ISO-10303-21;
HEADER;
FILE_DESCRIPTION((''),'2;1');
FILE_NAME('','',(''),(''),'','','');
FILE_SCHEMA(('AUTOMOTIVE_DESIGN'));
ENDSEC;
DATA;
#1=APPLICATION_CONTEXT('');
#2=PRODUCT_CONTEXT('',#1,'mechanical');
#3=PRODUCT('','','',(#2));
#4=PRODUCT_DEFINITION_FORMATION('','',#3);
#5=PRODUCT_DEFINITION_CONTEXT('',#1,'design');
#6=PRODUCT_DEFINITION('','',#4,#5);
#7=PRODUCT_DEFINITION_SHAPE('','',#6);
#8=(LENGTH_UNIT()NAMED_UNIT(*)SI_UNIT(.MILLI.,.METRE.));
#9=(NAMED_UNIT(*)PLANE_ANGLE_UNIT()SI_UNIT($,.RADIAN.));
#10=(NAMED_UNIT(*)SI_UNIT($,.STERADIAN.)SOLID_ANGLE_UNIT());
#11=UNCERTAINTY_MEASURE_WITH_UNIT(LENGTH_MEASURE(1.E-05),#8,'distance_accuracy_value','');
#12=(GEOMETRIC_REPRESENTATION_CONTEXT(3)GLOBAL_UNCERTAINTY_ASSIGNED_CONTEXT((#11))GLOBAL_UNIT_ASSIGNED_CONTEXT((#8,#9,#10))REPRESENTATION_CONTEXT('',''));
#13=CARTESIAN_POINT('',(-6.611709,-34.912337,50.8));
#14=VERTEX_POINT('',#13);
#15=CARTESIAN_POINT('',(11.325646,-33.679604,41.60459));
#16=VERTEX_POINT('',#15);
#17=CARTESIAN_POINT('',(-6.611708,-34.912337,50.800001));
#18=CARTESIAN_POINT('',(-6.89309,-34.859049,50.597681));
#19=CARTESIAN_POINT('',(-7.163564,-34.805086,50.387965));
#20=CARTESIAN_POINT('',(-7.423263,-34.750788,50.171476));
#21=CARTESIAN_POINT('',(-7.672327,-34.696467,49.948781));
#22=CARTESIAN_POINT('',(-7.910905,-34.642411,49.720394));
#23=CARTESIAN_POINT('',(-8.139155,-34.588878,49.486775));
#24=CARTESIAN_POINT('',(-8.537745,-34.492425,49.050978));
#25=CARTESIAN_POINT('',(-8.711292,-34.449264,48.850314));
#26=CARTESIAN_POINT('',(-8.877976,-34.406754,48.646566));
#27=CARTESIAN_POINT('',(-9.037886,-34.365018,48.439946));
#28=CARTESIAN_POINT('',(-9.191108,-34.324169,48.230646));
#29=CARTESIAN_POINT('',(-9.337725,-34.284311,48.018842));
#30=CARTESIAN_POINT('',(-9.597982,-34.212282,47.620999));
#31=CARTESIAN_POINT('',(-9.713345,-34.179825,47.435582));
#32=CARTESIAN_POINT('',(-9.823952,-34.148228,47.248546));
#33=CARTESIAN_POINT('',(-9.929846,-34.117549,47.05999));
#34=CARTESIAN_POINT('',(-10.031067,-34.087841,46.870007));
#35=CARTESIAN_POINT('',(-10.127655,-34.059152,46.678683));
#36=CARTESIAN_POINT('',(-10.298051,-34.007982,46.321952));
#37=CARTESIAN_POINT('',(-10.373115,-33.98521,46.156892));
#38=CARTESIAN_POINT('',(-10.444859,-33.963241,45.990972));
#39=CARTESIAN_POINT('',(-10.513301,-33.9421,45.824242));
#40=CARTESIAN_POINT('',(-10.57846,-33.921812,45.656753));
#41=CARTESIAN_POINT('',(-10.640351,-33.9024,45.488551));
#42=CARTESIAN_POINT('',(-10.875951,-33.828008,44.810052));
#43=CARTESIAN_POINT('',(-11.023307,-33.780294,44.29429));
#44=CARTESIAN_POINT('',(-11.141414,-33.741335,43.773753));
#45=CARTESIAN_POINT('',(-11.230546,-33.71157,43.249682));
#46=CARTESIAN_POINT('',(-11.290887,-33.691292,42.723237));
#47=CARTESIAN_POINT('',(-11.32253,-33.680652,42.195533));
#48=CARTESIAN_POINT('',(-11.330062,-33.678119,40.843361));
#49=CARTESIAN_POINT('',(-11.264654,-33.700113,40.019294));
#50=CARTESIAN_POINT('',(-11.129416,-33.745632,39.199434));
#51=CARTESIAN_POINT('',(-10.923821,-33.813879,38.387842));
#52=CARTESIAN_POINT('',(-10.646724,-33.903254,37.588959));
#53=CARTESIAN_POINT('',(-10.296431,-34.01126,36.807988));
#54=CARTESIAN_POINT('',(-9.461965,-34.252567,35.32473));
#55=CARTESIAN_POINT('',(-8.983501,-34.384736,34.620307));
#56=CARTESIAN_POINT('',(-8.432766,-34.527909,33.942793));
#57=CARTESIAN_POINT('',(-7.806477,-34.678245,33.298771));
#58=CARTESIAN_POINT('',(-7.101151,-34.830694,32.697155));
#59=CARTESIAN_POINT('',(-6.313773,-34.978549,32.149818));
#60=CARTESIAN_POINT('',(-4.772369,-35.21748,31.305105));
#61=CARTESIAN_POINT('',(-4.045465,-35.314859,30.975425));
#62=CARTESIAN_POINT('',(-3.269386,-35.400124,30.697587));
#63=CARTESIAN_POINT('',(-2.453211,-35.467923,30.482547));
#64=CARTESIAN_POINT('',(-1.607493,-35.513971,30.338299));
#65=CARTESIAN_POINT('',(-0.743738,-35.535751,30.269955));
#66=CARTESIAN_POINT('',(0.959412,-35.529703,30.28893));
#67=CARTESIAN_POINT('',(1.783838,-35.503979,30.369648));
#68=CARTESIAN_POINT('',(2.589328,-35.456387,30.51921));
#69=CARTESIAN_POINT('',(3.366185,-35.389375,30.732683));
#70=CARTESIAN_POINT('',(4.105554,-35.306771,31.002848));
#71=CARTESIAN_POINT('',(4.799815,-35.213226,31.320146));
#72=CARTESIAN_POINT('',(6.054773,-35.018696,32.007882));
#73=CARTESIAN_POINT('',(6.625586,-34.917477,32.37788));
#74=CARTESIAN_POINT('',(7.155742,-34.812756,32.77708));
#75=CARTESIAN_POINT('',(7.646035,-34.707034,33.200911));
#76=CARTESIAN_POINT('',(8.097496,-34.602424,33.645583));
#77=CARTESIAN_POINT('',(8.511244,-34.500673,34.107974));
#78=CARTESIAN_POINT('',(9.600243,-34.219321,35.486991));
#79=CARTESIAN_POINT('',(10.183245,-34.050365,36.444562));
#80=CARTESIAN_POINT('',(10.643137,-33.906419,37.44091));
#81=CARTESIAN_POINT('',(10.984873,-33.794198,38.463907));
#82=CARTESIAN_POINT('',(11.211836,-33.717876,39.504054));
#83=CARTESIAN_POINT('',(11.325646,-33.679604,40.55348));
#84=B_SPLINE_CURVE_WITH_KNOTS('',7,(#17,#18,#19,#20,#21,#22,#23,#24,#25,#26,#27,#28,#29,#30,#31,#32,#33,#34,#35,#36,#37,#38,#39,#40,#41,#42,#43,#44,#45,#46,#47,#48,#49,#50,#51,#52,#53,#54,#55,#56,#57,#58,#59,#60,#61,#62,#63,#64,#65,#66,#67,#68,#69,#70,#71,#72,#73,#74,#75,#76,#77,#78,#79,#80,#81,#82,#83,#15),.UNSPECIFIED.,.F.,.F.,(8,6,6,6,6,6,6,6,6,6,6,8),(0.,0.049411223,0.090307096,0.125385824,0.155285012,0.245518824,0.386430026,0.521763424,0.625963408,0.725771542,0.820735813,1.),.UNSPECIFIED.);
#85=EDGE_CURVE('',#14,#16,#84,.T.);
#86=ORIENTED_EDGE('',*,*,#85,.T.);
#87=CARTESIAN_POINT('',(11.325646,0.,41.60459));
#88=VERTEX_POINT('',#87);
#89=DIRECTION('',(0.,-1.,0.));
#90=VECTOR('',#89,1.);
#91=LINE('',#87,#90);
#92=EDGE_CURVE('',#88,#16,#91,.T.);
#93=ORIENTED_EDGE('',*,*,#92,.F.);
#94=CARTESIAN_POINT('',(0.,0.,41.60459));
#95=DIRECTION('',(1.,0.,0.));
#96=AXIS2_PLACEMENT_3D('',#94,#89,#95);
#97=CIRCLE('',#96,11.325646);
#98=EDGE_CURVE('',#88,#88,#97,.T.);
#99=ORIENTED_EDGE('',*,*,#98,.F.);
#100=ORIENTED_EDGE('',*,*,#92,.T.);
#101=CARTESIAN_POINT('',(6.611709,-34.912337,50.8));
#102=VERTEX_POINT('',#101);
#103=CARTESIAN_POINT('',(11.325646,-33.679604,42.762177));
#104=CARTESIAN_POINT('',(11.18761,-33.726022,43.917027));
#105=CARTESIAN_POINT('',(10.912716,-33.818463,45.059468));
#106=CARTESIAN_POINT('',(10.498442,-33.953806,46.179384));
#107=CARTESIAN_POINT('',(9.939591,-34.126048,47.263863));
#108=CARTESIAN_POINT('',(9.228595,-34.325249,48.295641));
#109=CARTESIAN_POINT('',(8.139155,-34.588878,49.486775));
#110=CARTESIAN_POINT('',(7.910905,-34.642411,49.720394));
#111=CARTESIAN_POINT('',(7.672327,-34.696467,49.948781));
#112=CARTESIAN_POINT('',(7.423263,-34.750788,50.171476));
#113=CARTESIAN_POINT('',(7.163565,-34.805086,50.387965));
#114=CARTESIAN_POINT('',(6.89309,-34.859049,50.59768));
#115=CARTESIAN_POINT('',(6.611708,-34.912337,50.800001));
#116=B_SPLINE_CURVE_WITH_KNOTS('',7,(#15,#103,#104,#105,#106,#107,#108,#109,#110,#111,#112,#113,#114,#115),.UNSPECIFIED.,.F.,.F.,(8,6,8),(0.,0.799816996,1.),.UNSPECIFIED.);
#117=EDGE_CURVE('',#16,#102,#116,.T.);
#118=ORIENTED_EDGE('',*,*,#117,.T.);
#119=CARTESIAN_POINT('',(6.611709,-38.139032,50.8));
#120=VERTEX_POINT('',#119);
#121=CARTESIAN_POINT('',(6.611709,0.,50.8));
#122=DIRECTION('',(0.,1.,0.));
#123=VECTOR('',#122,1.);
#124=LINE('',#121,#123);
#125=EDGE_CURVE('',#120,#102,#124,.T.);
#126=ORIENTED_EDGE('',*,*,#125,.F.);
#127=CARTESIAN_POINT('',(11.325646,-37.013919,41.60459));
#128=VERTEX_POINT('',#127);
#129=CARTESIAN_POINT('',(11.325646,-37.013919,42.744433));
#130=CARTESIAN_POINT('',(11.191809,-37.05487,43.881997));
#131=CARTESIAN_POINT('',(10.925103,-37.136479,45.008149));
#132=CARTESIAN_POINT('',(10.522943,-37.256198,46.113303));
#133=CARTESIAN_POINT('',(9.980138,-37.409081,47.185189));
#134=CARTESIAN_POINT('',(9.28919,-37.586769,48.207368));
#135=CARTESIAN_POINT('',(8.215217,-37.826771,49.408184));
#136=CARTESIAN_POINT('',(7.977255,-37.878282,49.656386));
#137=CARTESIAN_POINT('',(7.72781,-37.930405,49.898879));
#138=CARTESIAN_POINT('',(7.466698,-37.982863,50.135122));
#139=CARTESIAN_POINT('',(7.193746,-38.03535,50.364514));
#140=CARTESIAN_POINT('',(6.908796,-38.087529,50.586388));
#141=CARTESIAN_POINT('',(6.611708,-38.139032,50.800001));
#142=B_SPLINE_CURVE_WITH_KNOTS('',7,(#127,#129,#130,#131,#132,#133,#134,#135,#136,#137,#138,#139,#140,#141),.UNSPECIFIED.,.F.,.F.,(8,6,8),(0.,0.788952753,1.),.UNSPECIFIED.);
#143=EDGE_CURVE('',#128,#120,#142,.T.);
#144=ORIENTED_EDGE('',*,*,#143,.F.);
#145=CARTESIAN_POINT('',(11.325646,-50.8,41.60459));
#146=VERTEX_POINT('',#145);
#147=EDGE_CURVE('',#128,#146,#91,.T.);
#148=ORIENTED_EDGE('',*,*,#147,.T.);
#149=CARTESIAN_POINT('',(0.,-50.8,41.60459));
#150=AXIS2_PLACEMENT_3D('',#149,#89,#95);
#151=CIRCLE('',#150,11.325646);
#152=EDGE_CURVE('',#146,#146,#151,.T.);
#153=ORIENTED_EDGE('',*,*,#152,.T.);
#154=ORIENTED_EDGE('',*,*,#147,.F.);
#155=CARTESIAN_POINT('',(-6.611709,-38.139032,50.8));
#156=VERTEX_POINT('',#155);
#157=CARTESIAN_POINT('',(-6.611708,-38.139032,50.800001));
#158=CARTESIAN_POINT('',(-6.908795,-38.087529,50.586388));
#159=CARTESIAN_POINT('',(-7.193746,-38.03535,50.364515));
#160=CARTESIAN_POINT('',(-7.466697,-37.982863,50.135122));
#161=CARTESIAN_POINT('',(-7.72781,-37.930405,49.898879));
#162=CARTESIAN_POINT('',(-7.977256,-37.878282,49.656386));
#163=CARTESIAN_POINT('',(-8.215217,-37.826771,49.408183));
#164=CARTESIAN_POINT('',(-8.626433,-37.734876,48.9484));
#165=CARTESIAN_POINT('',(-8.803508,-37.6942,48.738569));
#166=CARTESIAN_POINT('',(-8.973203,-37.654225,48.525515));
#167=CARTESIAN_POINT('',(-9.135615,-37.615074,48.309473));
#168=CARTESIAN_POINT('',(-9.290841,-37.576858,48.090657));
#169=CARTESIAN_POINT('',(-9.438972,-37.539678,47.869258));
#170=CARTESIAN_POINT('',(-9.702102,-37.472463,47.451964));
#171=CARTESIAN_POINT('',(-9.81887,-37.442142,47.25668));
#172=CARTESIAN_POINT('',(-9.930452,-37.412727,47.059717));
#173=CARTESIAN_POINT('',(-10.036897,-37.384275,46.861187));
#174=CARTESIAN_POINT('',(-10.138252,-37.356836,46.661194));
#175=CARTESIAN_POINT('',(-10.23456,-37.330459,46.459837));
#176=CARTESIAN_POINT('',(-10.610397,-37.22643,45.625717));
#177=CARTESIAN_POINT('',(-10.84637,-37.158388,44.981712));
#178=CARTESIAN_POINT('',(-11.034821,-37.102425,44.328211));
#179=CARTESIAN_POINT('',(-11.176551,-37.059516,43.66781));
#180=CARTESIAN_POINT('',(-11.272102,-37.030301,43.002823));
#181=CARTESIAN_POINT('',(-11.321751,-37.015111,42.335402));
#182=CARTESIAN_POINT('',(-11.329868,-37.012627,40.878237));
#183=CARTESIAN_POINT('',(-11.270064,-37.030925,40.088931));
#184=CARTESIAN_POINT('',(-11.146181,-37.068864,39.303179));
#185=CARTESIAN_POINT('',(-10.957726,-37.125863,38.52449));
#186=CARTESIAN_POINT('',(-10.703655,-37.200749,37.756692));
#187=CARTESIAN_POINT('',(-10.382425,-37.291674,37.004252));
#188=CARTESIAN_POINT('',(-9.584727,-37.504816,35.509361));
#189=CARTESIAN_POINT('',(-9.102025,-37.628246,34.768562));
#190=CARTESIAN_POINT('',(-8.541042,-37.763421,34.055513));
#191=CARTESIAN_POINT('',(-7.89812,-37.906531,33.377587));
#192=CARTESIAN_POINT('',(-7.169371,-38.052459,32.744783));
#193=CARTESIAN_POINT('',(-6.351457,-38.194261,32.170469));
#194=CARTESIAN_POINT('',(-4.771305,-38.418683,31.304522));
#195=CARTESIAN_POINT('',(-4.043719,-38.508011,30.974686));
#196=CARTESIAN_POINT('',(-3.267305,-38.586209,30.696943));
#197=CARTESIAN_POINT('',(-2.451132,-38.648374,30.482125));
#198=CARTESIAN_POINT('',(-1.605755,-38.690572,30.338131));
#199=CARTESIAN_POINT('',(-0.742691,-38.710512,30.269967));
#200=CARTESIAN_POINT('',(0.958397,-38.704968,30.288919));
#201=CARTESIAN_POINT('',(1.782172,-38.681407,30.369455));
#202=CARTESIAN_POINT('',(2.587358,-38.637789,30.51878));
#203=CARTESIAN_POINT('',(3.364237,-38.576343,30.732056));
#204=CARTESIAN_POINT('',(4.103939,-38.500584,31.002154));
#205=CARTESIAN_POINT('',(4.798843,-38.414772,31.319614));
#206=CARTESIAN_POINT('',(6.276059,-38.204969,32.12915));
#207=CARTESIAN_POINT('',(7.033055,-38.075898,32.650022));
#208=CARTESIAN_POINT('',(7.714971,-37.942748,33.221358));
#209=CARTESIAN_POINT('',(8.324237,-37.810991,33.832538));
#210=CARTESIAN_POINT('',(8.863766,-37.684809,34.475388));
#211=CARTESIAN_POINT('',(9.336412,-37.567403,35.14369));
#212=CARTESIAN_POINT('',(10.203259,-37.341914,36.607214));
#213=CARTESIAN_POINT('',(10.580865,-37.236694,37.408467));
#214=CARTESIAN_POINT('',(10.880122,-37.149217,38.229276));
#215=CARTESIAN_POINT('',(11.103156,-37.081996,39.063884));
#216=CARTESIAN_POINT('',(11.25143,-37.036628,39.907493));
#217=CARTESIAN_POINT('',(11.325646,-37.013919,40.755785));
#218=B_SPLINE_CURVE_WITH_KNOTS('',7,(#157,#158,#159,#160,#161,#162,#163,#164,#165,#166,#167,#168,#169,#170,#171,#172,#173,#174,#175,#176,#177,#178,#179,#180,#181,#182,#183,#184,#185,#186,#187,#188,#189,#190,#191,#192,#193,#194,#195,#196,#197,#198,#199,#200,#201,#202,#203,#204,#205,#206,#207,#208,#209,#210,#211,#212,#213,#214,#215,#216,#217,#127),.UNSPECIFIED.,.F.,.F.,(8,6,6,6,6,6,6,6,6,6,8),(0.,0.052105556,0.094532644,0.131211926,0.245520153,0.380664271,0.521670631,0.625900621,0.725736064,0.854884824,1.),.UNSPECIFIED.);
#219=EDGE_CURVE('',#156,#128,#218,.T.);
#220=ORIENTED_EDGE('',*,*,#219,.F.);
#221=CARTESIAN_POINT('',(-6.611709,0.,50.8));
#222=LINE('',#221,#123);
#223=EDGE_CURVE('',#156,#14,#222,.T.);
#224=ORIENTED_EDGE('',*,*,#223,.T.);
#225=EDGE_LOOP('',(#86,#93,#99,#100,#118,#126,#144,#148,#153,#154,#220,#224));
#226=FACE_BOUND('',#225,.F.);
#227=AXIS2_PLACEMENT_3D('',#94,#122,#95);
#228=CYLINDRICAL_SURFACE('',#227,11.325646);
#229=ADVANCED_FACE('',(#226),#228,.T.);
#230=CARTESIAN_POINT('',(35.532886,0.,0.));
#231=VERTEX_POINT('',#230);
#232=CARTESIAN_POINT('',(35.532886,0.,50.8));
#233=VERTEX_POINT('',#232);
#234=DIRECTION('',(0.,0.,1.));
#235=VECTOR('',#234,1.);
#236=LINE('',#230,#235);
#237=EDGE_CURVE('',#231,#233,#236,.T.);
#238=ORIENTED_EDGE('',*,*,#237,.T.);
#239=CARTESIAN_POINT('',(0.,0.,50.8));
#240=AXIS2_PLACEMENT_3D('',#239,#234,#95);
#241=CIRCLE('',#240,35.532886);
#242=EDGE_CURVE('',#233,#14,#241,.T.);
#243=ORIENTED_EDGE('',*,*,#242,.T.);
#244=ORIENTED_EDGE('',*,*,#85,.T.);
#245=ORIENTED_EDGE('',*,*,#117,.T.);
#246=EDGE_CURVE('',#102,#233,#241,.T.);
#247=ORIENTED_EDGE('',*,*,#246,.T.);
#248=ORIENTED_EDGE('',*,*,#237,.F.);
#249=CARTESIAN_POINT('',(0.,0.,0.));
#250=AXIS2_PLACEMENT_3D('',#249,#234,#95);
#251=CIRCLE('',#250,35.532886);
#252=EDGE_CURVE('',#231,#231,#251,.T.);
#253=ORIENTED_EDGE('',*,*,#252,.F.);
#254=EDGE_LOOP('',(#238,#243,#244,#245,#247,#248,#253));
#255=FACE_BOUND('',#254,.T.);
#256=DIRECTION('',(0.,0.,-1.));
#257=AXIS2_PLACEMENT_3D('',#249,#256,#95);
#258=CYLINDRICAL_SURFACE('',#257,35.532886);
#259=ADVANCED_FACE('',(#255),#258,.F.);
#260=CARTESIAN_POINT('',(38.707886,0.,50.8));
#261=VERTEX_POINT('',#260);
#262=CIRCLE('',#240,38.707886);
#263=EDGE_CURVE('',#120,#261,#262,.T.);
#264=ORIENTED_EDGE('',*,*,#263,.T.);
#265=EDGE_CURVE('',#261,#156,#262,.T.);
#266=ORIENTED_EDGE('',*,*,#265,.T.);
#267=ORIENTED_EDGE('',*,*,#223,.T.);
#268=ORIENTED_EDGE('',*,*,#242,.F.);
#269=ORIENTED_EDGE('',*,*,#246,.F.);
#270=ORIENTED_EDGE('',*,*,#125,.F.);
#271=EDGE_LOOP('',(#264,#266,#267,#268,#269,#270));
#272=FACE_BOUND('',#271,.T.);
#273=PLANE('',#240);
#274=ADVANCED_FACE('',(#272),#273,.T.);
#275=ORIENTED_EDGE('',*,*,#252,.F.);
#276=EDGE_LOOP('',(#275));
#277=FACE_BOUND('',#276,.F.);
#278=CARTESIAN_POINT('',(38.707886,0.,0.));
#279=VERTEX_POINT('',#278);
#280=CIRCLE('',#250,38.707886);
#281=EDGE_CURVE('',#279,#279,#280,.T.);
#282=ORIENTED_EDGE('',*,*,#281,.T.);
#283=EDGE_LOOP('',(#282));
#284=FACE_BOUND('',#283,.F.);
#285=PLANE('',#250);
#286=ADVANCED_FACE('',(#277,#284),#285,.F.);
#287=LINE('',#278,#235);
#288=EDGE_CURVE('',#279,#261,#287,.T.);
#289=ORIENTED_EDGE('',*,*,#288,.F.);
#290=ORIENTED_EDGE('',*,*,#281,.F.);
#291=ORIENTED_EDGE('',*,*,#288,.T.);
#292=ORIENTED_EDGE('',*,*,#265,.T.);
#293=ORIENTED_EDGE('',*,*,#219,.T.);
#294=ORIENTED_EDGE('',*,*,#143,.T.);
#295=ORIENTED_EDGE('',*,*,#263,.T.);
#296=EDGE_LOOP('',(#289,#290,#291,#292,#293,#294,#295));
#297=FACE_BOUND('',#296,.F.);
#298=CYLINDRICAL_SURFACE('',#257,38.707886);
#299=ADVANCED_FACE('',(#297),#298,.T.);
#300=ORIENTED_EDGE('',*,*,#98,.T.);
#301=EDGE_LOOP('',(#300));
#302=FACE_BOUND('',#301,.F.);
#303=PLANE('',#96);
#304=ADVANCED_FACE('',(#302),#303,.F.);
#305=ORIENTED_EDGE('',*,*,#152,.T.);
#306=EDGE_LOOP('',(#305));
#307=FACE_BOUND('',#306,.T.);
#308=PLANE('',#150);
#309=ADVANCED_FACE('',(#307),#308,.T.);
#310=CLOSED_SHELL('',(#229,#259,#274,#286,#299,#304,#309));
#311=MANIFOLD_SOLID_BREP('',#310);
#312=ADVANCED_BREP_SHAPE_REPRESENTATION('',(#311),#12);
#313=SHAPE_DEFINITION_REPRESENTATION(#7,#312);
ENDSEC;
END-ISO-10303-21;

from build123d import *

# Parameters (mm, degrees)
F0_R     = 38.707886
F0_R_2   = 35.532886
F1_DEPTH = 50.8
F2_R     = 11.325646
F3_DEPTH = 50.8


with BuildPart() as f1:
    # F0 (on Top) → F1 (new body)
    with BuildSketch(Plane.XY):
        Circle(F0_R)
        Circle(F0_R_2, mode=Mode.SUBTRACT)
    extrude(amount=F1_DEPTH)

    # F2 (on Front) → F3 (join)
    with BuildSketch(Plane.XZ):
        with Locations((0, 41.60459)):
            Circle(F2_R)
    extrude(amount=F3_DEPTH)


solid = f1.part
